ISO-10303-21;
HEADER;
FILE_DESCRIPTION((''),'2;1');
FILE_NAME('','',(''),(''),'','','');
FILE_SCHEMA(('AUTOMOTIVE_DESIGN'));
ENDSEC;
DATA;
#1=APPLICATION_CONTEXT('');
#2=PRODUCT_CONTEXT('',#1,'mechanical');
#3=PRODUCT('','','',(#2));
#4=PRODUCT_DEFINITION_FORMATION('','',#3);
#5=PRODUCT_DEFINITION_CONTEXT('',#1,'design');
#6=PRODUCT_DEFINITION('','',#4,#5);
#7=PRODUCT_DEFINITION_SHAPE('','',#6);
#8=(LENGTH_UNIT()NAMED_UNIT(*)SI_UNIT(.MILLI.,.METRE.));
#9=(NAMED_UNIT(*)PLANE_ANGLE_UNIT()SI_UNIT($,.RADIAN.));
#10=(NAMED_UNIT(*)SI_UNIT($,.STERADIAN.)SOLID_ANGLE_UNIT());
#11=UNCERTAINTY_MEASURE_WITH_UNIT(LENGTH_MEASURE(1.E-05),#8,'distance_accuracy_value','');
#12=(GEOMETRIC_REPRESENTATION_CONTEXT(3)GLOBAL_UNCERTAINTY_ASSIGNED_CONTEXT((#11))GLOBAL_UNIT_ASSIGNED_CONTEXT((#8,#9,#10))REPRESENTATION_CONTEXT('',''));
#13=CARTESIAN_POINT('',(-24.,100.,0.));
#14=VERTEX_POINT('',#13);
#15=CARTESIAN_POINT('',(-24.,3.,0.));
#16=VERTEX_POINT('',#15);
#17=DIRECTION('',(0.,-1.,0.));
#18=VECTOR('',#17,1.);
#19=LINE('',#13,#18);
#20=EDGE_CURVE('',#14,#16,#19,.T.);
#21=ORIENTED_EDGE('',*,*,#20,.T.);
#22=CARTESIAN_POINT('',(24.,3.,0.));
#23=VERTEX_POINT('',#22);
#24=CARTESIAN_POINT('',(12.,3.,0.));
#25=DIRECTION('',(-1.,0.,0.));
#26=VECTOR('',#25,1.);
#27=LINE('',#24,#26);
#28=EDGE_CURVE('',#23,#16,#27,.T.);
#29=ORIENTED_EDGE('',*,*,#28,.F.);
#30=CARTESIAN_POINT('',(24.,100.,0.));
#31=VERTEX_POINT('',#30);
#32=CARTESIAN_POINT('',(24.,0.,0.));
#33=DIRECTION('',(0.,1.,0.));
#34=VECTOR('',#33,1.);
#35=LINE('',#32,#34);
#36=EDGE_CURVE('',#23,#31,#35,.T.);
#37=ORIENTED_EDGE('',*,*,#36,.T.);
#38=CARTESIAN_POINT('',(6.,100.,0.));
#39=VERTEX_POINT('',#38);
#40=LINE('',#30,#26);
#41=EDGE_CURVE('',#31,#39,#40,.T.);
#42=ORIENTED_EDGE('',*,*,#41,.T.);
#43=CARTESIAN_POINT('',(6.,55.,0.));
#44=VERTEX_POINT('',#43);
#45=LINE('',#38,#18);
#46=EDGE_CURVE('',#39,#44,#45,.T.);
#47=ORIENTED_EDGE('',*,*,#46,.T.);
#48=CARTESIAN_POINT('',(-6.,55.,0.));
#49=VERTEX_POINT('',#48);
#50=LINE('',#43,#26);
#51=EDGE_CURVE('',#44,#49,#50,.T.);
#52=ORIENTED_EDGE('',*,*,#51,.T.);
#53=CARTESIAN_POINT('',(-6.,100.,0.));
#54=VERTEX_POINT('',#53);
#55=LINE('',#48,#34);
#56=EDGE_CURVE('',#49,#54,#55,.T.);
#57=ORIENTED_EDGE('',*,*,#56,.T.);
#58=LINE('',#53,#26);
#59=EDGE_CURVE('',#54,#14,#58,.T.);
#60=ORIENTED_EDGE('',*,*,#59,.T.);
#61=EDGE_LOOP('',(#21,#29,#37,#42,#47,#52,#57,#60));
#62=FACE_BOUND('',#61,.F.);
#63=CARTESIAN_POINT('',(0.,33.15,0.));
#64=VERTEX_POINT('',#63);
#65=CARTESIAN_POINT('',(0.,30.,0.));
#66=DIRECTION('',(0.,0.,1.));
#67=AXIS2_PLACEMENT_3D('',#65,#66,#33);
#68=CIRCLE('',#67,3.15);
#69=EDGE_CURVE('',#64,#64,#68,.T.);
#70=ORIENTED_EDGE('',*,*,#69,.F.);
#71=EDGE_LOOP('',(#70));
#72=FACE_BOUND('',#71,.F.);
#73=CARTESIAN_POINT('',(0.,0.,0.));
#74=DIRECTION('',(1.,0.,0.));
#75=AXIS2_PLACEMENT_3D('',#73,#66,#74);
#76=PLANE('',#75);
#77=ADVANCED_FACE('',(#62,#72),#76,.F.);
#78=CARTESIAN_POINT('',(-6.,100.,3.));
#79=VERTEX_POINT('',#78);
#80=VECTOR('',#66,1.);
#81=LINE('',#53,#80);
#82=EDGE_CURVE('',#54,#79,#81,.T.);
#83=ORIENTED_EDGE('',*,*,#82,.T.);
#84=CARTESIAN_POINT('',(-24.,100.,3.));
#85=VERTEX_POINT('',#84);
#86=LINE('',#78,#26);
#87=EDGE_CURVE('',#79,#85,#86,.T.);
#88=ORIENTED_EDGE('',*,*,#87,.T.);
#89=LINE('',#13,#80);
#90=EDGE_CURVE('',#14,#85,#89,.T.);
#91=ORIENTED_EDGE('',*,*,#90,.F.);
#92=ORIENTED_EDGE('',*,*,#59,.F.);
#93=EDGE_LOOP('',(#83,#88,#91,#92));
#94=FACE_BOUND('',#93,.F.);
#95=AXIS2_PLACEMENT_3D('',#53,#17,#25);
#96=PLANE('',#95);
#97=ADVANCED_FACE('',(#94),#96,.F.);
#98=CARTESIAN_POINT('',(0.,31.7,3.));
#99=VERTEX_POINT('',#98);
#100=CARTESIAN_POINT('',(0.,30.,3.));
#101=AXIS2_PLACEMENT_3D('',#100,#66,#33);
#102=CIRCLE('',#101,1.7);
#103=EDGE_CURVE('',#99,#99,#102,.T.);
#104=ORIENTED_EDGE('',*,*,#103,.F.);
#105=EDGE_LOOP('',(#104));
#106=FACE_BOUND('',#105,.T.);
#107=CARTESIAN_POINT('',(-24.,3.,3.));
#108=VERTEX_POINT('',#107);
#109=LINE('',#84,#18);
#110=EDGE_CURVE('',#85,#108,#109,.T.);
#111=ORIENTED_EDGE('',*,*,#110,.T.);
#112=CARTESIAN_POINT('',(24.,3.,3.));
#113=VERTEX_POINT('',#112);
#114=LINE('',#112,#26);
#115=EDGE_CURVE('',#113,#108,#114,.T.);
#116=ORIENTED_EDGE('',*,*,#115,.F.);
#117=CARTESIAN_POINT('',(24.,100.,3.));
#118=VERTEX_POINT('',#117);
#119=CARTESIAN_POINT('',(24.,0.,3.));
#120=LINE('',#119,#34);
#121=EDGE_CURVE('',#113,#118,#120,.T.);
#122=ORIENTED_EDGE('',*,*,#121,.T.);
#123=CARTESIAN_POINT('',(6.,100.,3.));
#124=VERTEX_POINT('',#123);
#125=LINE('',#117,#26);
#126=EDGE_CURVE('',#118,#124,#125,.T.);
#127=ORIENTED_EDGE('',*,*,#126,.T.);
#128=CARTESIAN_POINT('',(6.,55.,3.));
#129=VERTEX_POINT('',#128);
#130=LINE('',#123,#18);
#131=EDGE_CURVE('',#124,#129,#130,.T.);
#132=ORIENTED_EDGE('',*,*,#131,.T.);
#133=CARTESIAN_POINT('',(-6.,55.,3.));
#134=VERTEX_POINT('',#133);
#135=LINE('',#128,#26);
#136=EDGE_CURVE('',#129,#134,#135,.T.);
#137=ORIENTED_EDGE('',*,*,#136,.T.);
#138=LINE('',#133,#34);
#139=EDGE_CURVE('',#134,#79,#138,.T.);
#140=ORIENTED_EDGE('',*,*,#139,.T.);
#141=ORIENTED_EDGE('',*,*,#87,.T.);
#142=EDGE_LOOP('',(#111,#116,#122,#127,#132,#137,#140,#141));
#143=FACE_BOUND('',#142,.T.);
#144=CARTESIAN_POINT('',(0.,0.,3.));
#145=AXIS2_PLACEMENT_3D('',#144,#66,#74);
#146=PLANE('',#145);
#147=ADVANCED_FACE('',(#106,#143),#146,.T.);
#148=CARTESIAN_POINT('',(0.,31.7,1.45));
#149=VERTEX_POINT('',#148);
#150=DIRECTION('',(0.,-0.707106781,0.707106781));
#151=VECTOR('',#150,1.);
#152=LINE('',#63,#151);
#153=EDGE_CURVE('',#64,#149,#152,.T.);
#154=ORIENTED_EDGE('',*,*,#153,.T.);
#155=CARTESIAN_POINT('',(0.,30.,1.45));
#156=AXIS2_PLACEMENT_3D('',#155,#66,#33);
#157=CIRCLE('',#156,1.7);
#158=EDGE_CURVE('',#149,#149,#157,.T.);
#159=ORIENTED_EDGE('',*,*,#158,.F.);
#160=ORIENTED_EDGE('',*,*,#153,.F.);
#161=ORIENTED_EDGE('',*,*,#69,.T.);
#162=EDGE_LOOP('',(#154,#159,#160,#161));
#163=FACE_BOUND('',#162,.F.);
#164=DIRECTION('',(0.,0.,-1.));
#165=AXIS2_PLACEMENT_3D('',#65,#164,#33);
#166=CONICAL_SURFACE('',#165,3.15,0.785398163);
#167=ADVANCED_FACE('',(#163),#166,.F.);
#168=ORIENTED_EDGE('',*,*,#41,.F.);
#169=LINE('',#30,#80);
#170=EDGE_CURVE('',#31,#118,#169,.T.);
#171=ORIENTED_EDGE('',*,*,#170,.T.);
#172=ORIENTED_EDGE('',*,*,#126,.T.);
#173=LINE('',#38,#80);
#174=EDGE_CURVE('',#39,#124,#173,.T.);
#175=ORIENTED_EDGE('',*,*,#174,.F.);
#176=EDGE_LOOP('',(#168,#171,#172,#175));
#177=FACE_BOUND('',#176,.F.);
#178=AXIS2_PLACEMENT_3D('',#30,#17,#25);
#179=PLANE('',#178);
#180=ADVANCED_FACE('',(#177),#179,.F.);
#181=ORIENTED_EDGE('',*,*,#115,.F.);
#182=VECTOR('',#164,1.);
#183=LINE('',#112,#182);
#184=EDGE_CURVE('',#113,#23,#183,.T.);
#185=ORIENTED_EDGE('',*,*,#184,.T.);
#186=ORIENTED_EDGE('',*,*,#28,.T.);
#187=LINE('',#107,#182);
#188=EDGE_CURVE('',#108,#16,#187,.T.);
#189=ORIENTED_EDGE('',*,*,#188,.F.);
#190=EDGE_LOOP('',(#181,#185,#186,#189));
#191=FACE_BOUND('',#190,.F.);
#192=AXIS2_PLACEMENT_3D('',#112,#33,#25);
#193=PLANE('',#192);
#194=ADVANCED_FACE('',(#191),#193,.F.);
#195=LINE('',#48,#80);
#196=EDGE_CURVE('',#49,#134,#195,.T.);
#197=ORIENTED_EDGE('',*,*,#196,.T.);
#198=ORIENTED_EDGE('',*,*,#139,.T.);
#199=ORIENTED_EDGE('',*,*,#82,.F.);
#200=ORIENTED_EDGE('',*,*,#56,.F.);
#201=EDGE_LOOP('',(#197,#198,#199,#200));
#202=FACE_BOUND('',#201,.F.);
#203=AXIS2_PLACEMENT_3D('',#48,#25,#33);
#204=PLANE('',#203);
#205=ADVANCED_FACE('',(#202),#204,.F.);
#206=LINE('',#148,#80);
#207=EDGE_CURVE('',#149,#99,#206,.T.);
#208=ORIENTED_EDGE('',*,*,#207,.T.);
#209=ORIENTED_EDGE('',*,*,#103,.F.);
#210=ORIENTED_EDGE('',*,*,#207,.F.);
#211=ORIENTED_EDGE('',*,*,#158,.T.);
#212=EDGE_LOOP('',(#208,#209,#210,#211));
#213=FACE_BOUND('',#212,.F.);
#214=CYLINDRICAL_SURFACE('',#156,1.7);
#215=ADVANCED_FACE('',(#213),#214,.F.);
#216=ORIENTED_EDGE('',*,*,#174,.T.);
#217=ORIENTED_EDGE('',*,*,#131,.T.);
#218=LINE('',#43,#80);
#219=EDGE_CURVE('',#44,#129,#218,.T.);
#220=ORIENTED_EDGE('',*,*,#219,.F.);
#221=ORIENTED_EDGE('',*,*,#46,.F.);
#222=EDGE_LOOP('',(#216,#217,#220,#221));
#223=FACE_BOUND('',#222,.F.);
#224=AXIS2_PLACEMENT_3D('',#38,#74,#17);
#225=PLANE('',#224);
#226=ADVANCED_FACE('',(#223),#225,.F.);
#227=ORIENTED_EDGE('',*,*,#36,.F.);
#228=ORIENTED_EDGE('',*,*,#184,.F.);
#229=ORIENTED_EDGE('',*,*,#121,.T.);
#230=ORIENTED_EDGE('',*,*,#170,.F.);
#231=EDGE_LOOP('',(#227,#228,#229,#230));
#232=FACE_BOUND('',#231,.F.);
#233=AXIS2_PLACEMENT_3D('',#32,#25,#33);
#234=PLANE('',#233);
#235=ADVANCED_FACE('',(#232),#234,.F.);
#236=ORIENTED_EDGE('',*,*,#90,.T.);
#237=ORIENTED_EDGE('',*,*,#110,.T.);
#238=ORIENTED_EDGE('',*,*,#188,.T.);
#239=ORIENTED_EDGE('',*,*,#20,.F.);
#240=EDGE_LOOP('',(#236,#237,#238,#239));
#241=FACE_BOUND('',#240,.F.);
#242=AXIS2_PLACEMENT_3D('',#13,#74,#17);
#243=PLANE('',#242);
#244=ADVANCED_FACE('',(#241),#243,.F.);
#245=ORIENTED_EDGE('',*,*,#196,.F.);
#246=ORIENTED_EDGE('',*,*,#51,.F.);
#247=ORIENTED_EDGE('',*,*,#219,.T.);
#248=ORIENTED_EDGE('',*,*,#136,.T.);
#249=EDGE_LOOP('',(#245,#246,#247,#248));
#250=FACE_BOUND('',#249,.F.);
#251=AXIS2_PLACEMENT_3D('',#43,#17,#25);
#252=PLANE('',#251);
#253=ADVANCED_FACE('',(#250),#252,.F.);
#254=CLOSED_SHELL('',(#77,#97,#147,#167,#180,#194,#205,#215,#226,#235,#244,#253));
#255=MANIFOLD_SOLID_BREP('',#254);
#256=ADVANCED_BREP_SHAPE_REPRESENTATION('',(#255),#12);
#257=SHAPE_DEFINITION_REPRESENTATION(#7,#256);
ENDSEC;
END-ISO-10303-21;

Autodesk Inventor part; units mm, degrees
ref_plane "Plan YZ" through (0, 0, 0) normal (1, 0, 0) x (0, 1, 0)
ref_plane "Plan XZ" through (0, 0, 0) normal (0, 1, 0) x (-1, 0, 0)
ref_plane "Plan XY" through (0, 0, 0) normal (0, 0, 1) x (1, 0, 0)
sketch "Esquisse6" plane through (0, 0, 0) normal (0, 0, 1) x (1, 0, 0)
  line L0 (0, -20) -> (0, 120) construction
  line L1 (-24, 0) -> (24, 0)
  line L2 (24, 0) -> (24, 100)
  line L3 (24, 100) -> (6, 100)
  line L4 (6, 100) -> (6, 55)
  line L5 (6, 55) -> (-6, 55)
  line L6 (-6, 55) -> (-6, 100)
  line L7 (-6, 100) -> (-24, 100)
  line L8 (-24, 100) -> (-24, 0)
  line L9 (-33.6, 0) -> (33.6, 0) construction
  point P0 (0, 0)
  dimension "d0" = 100
  dimension "d1" = 48
  dimension "d2" = 12
  dimension "d3" = 45
extrude "Extrusion1" add sketch "Esquisse6" along normal blind 3
sketch "Esquisse7" plane through (0, 0, 0) normal (0, 0, -1) x (-1, 0, 0)
  line L0 (0, -20) -> (0, 120) construction
  line L1 (-24, 0) -> (24, 0) projected
  point P0 (0, 0)
  point P1 (0, 30)
  dimension "d24" = 30
sketch "Esquisse8" plane through (0, 0, 3) normal (0, 0, 1) x (1, 0, 0)
  line L0 (24, 100) -> (24, 0) projected
  line L1 (-24, 0) -> (24, 0)
  line L2 (24, 0) -> (24, 3)
  line L3 (24, 3) -> (-24, 3)
  line L4 (-24, 3) -> (-24, 0)
  line L5 (-24, 100) -> (-24, 0) projected
  line L6 (24, 0) -> (24, 100) projected
  line L7 (-24, 0) -> (24, 0) projected
  point P0 (0, 0)
  dimension "d21" = 3
extrude "Extrusion3" cut sketch "Esquisse8" against normal through all
hole "Perçage1" at (0, 30, 0) direction (0, 0, 1) diameter 3.4 end through all countersink diameter 6.3 countersink angle 90 clearance for "Vis à tête plate fraisée ISO 2009/7046" size "M3" standard "ISO"
properties part number "S1702_replat" material "Plastique PMMA"
